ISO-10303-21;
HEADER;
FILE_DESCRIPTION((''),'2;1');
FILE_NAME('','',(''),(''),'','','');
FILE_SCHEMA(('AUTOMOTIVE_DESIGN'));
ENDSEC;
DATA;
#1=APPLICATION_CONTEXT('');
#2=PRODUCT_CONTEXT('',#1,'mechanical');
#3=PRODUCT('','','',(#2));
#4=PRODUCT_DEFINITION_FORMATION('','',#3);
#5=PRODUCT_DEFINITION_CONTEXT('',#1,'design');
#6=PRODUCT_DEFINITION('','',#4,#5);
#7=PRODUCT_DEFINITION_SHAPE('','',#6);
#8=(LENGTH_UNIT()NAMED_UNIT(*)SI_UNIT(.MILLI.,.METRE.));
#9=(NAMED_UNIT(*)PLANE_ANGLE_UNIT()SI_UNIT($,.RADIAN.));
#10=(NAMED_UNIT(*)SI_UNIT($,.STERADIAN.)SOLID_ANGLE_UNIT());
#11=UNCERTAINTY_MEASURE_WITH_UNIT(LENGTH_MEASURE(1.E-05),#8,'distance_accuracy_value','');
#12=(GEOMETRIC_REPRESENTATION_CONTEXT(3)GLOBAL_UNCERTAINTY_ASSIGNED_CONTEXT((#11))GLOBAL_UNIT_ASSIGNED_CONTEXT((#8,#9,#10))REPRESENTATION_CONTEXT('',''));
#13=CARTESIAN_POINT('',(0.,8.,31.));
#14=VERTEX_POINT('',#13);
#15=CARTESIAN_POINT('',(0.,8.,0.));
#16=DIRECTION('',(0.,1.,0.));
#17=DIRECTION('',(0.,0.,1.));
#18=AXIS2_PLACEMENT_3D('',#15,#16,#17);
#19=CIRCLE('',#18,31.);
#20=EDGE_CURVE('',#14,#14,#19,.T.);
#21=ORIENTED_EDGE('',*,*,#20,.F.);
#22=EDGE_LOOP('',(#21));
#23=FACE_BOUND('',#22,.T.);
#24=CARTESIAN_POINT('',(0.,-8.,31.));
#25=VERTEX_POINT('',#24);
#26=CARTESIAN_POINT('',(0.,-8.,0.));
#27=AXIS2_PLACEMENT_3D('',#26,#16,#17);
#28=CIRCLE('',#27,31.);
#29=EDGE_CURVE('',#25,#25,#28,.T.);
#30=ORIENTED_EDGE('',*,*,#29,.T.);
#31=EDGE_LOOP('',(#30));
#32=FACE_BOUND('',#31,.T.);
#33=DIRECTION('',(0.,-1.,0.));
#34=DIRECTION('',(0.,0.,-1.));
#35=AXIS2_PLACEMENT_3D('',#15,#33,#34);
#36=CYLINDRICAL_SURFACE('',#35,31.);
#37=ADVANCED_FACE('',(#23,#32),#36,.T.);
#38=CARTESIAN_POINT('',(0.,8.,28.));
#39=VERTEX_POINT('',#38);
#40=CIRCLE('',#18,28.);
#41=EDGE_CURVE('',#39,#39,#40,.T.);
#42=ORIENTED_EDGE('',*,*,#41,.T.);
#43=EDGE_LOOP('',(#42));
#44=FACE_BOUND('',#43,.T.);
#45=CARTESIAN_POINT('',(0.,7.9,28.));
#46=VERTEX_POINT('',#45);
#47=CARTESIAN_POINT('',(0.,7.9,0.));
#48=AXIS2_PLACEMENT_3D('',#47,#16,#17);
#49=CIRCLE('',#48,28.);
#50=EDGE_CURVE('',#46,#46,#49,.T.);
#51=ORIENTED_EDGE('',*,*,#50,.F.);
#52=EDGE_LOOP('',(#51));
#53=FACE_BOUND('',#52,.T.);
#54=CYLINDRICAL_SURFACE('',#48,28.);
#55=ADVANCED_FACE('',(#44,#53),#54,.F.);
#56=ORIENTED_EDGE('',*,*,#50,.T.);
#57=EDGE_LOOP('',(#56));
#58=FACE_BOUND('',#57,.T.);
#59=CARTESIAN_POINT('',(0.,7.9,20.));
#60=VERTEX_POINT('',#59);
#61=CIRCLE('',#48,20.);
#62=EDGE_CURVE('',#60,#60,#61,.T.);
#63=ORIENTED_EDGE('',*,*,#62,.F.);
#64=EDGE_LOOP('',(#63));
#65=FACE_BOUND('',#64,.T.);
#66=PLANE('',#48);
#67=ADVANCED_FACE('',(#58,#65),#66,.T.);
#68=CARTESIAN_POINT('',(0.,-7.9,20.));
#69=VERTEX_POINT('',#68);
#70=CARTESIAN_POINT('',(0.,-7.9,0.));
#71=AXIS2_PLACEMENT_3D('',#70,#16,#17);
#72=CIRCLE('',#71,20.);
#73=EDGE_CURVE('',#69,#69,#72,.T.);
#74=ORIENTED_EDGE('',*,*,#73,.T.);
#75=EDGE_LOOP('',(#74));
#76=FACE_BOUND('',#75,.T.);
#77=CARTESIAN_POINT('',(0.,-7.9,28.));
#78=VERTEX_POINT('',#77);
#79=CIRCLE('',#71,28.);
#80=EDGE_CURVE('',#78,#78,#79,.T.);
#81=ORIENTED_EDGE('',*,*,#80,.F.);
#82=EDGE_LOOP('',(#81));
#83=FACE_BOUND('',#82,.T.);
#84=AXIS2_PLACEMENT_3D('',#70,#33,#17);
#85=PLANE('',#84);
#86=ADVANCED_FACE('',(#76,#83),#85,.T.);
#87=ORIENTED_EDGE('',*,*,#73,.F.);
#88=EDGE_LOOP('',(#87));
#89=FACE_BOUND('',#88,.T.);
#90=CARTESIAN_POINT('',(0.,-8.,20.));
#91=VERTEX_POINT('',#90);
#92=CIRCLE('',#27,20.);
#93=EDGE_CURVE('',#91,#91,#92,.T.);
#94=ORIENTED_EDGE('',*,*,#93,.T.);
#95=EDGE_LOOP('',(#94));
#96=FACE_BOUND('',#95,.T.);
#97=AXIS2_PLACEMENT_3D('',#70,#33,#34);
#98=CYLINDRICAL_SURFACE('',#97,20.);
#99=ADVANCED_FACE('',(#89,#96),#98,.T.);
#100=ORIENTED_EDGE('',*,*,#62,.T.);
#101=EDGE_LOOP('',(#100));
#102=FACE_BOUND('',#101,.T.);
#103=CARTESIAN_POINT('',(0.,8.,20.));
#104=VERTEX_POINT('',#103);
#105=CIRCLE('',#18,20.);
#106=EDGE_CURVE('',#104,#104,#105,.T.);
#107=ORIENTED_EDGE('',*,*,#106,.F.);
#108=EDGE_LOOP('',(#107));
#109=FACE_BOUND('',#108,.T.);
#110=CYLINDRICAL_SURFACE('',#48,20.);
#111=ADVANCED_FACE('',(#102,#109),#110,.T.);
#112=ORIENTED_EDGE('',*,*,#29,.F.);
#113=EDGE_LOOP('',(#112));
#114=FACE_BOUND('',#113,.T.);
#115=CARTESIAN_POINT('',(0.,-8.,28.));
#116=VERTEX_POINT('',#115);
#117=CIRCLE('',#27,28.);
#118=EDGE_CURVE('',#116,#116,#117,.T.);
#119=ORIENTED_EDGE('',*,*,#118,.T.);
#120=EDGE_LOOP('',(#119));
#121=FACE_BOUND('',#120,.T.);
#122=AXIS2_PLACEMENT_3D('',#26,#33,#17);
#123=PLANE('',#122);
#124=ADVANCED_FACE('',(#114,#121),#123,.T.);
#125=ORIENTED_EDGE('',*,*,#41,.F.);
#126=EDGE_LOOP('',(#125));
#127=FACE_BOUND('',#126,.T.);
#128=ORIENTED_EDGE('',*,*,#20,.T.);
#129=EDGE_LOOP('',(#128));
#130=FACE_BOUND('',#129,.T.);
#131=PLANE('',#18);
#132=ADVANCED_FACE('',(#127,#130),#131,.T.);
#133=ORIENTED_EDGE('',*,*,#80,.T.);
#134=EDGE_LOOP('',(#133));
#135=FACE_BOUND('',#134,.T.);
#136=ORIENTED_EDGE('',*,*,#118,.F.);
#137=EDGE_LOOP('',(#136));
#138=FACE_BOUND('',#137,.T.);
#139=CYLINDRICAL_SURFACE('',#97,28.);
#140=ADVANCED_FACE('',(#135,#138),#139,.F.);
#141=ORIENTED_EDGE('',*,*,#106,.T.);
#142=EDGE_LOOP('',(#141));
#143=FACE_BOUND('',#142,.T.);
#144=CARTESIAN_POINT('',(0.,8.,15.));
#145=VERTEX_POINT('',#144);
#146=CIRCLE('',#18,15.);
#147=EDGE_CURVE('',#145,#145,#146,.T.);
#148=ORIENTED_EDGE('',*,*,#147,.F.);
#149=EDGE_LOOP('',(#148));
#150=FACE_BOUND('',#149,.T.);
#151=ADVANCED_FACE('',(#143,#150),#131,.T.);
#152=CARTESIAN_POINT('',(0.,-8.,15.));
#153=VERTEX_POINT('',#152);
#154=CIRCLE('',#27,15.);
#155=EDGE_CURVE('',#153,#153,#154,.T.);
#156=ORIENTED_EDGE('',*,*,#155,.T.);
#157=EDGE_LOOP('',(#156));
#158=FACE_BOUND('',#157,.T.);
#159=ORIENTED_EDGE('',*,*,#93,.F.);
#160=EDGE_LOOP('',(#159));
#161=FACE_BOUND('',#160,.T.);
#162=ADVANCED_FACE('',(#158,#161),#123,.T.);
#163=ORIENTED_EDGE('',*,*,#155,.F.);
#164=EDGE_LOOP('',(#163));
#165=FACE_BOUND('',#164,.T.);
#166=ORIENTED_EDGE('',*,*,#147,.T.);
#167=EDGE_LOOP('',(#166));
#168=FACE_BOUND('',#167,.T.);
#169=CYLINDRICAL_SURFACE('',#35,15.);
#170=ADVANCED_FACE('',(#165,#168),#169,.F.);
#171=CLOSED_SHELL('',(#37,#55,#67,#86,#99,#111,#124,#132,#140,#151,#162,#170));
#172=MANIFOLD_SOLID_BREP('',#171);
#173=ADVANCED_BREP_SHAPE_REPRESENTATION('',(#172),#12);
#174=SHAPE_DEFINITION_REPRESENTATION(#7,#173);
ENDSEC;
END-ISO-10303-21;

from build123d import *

# Parameters (mm, degrees)
SKETCH1_R           = 31
SKETCH1_R_2         = 15
BOSS_EXTRUDE2_DEPTH = 8
SKETCH4_R           = 28
SKETCH4_R_2         = 20
CUT_EXTRUDE2_DEPTH  = 0.1


with BuildPart() as part:
    # Sketch1 → Boss-Extrude2 (new body)
    with BuildSketch(Plane(origin=(0, 0, 0), x_dir=(1, 0, 0), z_dir=(0, 1, 0))):
        with Locations(Location((0, 0, 0), (0, 0, 270))):
            Circle(SKETCH1_R)
        with Locations(Location((0, 0, 0), (0, 0, 270))):
            Circle(SKETCH1_R_2, mode=Mode.SUBTRACT)
    boss_extrude2 = extrude(amount=BOSS_EXTRUDE2_DEPTH)

    # Sketch4 → Cut-Extrude2 (cut)
    with BuildSketch(Plane(origin=(0, 8, 0), x_dir=(1, 0, 0), z_dir=(0, 1, 0))):
        with Locations(Location((0, 0, 0), (0, 0, 270))):
            Circle(SKETCH4_R)
        with Locations(Location((0, 0, 0), (0, 0, 270))):
            Circle(SKETCH4_R_2, mode=Mode.SUBTRACT)
    cut_extrude2 = extrude(amount=-CUT_EXTRUDE2_DEPTH, mode=Mode.SUBTRACT)


with BuildPart() as mirror2_1:
    # Mirror2: Boss-Extrude2 across Top Plane
    add(boss_extrude2.mirror(Plane(origin=(0, 0, 0), x_dir=(1, 0, 0), z_dir=(0, 1, 0))))

    # Mirror2 2: Cut-Extrude2 across Top Plane
    add(cut_extrude2.mirror(Plane(origin=(0, 0, 0), x_dir=(1, 0, 0), z_dir=(0, 1, 0))), mode=Mode.SUBTRACT)


with BuildPart() as part_1:
    add(part.part)

    # Mirror2 united with what the copies touc: union Mirror2_1
    add(mirror2_1.part)


solid = part_1.part
